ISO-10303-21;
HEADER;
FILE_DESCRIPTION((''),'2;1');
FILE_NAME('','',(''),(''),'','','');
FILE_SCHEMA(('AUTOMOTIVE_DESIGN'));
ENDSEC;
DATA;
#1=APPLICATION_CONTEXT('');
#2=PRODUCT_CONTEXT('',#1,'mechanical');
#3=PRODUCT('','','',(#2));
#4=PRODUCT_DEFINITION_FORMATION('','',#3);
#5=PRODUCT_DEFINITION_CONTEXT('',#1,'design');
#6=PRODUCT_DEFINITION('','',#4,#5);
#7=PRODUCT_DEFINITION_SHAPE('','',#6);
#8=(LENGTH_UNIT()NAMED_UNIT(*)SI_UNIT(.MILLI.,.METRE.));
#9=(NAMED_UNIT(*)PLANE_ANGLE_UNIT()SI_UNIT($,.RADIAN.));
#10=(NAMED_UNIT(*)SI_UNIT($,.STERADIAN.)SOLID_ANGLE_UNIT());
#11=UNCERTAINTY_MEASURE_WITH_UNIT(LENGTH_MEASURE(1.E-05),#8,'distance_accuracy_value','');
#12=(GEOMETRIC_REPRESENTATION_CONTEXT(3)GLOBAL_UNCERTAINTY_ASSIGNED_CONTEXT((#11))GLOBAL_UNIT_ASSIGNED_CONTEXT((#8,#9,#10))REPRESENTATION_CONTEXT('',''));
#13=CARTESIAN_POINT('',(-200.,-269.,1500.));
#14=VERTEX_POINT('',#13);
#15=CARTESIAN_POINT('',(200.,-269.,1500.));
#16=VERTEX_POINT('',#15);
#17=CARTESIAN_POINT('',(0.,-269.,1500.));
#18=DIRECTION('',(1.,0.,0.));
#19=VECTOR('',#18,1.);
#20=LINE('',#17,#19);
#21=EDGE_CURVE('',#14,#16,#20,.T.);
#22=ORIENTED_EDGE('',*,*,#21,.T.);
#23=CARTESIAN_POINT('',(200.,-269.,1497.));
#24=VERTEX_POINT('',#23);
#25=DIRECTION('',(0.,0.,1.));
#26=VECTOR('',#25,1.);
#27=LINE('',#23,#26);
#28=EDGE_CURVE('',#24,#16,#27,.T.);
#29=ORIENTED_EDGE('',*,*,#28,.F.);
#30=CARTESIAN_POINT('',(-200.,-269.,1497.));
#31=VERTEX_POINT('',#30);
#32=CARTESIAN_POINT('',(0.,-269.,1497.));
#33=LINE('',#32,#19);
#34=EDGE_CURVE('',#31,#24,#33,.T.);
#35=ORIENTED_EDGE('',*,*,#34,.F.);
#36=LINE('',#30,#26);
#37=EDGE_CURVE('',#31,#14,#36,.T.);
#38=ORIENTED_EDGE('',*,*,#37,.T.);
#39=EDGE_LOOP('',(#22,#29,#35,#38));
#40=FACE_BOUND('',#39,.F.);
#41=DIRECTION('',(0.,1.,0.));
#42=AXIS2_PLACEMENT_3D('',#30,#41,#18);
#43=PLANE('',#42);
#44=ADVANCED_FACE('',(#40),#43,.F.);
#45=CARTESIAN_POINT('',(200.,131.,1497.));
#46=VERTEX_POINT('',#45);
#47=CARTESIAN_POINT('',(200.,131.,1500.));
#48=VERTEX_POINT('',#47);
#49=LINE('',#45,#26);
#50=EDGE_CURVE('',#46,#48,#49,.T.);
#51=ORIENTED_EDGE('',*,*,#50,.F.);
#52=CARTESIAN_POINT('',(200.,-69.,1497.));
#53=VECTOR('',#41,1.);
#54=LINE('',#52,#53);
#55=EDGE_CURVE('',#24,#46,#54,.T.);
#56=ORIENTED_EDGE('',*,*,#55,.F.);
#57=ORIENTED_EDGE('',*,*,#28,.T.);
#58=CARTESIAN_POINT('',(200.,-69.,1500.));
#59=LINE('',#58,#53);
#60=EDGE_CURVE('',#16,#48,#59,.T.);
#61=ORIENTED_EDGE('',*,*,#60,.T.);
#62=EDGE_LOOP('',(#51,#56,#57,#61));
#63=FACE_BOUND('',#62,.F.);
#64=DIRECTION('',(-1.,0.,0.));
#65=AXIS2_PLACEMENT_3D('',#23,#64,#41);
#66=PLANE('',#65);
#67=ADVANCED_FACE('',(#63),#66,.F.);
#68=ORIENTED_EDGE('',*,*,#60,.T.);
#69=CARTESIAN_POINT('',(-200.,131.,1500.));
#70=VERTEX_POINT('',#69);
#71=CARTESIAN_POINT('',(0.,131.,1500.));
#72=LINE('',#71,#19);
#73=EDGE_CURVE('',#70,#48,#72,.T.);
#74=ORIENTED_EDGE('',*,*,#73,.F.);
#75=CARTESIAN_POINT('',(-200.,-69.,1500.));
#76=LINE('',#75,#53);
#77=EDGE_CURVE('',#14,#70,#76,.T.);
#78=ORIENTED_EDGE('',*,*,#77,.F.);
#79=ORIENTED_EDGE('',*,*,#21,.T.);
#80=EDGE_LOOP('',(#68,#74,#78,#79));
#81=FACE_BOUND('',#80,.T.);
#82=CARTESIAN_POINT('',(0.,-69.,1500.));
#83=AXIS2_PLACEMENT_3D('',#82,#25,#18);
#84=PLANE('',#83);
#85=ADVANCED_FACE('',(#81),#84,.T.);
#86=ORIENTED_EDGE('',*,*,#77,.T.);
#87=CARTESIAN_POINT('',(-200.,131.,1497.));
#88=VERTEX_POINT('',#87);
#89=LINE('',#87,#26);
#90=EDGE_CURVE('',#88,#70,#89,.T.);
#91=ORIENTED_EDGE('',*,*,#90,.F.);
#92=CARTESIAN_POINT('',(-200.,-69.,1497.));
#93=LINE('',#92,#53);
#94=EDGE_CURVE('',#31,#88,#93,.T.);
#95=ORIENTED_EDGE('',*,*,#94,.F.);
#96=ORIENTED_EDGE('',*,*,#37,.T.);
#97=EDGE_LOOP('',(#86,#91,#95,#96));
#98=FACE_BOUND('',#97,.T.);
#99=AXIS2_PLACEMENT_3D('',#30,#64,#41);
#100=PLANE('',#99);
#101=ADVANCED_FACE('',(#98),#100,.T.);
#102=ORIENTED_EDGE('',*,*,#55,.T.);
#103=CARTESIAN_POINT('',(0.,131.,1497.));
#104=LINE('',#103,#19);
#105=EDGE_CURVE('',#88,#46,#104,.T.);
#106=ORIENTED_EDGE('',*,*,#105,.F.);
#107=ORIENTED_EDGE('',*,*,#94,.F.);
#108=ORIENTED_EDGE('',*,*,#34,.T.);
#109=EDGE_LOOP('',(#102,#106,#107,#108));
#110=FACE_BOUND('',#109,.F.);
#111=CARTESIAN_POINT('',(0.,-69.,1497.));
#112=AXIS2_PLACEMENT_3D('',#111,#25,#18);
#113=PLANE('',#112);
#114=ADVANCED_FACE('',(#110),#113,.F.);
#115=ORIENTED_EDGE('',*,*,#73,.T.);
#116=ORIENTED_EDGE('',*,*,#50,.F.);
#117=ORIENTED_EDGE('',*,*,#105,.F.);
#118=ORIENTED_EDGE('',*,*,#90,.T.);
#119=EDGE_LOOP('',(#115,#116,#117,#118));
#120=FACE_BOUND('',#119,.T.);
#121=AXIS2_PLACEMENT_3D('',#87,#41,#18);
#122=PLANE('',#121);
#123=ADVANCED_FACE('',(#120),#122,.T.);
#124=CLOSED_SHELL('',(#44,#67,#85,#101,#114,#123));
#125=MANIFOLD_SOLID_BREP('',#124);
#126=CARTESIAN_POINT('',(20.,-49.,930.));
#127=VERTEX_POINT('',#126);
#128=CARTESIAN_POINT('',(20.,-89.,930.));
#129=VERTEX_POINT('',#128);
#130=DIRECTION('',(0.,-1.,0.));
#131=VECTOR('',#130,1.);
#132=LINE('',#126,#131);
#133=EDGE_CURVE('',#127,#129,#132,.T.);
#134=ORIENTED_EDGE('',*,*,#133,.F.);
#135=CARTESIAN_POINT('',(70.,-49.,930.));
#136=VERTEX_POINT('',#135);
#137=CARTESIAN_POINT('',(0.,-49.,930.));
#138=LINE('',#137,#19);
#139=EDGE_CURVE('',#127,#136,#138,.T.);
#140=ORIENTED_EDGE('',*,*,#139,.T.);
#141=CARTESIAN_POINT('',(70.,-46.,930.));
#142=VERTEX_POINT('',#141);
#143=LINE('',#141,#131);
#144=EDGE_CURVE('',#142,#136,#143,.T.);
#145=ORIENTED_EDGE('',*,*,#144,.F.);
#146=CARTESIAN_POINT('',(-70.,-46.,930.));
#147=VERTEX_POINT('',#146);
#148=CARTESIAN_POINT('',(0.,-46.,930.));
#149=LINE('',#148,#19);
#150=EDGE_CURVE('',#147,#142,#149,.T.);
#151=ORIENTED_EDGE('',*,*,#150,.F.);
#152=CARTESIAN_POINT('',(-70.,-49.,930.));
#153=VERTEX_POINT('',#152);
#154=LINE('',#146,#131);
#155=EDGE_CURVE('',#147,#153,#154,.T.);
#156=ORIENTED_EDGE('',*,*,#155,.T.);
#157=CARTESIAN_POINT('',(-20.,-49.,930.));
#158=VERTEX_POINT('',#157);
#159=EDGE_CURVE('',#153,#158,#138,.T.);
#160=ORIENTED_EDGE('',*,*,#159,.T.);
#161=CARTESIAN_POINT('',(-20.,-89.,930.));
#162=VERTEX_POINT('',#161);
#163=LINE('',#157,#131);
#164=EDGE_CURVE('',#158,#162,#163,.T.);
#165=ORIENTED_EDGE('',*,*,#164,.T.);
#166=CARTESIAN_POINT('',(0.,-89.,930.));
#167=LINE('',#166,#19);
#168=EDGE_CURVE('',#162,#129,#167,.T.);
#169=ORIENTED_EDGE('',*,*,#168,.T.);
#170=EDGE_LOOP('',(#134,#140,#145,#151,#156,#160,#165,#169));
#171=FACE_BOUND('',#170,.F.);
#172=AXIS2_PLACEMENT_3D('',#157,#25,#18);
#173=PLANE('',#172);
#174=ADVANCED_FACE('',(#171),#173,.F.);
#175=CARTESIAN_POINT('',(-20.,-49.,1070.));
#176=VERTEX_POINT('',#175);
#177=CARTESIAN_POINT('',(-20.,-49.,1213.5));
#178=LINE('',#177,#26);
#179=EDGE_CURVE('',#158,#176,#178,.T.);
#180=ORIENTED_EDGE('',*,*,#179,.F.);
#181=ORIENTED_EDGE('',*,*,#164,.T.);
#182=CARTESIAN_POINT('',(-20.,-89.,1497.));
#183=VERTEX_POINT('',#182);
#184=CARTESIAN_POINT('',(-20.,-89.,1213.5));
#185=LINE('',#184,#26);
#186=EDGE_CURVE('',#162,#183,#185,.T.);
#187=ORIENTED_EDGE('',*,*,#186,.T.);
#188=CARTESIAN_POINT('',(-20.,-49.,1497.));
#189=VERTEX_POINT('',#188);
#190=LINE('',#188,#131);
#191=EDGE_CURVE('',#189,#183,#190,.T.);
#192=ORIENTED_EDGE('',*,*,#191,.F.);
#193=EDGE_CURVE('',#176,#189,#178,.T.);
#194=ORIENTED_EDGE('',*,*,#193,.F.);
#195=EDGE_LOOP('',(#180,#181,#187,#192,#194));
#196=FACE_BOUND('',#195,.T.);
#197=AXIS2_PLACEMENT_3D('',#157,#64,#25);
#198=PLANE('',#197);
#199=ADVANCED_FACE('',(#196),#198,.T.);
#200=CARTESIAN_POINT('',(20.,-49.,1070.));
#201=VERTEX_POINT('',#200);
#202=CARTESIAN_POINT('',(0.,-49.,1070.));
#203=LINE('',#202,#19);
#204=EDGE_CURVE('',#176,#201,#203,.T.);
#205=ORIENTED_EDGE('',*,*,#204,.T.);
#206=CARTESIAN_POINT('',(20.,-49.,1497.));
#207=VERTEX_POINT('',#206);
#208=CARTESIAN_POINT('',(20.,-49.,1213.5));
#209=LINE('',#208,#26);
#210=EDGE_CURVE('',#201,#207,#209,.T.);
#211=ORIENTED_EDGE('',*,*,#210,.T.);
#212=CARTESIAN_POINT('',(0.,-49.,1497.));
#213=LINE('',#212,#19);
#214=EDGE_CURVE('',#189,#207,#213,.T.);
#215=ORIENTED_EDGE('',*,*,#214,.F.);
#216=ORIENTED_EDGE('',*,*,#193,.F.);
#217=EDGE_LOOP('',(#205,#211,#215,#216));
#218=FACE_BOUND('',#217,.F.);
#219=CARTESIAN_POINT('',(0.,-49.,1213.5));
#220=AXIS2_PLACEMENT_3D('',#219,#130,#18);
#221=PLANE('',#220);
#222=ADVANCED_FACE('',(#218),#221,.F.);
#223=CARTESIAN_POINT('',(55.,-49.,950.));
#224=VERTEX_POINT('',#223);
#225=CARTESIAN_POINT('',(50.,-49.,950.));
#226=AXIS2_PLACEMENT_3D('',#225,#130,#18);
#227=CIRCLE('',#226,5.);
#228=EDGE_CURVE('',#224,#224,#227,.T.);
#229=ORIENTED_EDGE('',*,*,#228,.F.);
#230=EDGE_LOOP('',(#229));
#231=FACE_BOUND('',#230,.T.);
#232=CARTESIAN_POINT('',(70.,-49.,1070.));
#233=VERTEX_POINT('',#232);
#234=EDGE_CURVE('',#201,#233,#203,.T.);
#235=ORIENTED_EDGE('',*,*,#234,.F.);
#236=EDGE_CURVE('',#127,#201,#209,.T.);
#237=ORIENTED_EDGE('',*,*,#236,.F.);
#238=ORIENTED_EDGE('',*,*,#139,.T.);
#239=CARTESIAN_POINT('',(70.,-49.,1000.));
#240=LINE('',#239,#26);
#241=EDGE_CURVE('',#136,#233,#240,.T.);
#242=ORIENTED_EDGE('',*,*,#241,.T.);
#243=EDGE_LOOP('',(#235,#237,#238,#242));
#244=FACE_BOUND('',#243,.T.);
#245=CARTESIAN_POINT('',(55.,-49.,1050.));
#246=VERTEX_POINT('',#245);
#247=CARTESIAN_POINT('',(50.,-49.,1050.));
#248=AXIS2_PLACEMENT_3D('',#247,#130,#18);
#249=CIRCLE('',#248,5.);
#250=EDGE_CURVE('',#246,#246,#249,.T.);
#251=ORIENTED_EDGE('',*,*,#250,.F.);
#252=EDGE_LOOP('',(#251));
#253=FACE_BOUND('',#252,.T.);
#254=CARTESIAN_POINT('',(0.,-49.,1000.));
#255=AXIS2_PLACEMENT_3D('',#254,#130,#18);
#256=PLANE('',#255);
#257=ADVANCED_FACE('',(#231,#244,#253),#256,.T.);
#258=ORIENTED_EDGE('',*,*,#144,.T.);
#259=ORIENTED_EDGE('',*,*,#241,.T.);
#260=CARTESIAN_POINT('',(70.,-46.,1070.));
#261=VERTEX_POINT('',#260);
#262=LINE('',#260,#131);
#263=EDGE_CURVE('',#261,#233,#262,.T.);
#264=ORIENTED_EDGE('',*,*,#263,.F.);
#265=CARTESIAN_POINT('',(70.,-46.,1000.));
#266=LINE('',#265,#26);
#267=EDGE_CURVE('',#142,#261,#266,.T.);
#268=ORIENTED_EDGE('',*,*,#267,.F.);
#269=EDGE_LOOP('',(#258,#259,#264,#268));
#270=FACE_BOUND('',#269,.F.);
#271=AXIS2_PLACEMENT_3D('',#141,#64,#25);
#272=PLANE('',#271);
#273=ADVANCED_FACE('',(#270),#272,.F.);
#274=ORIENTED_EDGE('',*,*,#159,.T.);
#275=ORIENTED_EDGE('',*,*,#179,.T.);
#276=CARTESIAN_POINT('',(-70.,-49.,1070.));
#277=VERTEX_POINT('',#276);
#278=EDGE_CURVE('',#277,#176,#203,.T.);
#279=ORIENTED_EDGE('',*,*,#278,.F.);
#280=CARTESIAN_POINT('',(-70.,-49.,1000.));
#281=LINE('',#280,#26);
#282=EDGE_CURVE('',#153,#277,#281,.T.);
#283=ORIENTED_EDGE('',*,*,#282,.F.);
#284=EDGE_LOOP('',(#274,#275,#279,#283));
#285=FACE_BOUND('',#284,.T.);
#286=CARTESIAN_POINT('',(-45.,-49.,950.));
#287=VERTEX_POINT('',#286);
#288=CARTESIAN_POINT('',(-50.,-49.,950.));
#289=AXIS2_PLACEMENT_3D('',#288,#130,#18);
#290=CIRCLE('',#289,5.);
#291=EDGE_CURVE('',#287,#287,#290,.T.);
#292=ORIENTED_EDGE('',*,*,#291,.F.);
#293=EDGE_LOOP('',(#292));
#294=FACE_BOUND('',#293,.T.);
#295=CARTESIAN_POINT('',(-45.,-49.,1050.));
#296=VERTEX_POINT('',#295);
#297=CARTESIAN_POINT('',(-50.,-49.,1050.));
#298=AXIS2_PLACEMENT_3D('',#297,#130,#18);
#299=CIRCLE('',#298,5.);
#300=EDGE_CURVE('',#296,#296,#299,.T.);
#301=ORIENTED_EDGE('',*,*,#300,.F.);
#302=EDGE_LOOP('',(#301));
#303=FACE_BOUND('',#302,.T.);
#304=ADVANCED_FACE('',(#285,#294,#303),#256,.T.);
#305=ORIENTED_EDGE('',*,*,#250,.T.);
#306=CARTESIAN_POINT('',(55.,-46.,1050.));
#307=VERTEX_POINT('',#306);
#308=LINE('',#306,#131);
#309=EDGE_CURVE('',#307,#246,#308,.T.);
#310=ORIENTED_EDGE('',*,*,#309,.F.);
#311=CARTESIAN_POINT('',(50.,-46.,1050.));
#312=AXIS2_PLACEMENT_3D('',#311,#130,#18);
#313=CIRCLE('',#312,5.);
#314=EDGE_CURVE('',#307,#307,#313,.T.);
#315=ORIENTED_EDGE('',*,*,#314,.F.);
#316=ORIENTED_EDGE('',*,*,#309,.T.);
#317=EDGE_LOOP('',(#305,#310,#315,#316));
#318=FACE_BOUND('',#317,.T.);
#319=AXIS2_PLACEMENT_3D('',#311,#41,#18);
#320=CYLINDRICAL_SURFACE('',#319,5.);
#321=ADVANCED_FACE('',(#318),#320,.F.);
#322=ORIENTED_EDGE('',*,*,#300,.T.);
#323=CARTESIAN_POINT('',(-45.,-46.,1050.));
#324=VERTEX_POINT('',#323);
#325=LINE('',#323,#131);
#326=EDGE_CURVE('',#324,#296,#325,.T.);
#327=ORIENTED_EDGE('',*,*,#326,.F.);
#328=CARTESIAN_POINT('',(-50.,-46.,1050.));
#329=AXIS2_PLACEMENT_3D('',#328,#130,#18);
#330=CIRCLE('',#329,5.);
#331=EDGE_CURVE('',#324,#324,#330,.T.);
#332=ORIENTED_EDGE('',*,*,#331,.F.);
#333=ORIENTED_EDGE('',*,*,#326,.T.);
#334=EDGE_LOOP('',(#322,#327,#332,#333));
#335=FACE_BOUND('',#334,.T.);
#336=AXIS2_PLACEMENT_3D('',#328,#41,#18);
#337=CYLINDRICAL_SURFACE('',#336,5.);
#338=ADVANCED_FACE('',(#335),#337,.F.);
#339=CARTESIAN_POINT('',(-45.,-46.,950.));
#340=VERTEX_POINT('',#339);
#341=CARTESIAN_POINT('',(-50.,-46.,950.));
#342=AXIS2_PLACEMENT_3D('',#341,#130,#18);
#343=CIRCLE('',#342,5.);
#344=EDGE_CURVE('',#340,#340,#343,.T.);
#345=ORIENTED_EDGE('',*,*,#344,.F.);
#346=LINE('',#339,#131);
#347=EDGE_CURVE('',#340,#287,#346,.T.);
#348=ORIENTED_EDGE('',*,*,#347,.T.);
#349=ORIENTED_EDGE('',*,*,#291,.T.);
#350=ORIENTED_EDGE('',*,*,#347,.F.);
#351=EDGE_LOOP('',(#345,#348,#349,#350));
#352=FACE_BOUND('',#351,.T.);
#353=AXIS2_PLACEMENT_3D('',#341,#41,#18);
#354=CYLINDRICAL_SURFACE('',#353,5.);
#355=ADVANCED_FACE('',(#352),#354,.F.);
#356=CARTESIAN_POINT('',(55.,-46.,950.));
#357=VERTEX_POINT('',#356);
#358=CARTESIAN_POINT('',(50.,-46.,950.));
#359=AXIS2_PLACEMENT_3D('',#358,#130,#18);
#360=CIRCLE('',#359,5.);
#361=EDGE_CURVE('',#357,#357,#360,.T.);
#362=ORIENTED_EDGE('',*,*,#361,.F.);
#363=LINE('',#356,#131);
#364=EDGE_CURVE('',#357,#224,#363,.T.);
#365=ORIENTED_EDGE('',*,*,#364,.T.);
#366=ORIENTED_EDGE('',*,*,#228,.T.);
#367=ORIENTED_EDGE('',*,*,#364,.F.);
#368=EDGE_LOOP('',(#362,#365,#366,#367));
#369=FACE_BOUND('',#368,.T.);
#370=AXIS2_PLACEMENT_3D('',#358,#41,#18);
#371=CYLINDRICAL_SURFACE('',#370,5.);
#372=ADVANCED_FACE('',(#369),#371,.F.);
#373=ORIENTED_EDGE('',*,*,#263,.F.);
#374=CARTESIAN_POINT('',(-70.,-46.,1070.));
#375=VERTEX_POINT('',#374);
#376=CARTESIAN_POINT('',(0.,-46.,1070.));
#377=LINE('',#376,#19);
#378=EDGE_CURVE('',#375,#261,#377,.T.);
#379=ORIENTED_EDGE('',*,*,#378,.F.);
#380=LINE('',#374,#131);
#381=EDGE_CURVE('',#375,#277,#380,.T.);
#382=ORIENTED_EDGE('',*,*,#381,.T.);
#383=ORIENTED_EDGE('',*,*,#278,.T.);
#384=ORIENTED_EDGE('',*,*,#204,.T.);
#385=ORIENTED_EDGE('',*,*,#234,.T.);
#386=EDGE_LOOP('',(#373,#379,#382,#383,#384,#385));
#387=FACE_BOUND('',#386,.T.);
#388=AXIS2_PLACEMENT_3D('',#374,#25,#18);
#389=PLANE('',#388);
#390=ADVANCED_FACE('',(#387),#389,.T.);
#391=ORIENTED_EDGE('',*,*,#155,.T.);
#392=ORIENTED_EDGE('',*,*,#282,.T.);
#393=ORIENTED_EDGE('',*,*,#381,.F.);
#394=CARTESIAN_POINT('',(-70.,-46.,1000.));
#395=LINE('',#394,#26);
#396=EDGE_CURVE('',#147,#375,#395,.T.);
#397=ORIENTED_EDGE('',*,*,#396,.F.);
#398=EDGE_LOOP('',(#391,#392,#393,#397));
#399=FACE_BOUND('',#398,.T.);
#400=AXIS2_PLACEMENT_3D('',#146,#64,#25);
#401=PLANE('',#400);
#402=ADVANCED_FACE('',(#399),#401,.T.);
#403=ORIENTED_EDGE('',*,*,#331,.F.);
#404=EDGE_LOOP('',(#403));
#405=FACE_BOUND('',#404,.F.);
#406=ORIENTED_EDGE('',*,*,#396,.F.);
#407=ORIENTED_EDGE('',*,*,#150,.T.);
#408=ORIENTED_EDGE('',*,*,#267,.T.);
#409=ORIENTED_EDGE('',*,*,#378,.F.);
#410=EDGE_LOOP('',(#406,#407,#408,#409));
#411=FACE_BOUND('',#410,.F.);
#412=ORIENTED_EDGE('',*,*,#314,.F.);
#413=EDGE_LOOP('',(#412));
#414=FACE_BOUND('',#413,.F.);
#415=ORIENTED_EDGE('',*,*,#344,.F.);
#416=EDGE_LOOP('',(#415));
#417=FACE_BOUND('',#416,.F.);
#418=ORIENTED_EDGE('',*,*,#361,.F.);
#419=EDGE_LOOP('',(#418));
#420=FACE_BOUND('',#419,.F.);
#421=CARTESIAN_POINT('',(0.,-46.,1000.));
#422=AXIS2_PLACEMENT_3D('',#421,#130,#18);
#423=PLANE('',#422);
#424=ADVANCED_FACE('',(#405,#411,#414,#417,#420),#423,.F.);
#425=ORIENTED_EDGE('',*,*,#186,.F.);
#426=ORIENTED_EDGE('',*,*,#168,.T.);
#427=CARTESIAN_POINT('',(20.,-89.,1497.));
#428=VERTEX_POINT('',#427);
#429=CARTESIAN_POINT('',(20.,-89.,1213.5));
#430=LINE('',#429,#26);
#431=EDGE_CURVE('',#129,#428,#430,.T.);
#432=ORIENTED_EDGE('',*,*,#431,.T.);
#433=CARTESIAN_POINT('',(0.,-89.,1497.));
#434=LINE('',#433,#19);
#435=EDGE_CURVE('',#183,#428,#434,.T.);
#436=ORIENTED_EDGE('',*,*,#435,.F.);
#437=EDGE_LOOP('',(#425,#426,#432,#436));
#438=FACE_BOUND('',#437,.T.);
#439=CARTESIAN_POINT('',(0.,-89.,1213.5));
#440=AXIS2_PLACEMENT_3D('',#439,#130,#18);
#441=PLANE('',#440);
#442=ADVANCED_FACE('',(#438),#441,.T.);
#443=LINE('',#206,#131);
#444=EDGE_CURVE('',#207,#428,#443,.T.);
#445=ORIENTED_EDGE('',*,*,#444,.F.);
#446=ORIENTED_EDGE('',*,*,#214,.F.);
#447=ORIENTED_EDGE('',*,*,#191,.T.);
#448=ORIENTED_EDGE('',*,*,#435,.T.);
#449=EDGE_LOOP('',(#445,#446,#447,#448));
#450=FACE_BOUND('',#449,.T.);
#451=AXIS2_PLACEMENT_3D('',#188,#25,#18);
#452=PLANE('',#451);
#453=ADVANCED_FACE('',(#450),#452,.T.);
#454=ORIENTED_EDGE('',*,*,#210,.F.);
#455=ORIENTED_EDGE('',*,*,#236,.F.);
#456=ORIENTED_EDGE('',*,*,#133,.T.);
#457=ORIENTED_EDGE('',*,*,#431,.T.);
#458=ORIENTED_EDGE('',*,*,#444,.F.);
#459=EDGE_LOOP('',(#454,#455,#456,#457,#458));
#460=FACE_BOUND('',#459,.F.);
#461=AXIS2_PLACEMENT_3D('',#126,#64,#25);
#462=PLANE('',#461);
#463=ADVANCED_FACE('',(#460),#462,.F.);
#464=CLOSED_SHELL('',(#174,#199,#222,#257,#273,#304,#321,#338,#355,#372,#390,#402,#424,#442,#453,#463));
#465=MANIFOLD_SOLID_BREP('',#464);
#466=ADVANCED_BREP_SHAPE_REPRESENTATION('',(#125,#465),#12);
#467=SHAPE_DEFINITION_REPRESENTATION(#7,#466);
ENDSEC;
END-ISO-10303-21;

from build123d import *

# Parameters (mm, degrees)
F1_W     = 140
F1_H     = 140
F1_R     = 5
F2_DEPTH = 3
F3_W     = 40
F3_H     = 567
F4_DEPTH = 40
F5_W     = 400
F5_H     = 400
F6_DEPTH = 3


with BuildPart() as f2:
    # F1 (on offset) → F2 (new body)
    with BuildSketch(Plane.XZ.offset(46)):
        with Locations((0, 1000)):
            Rectangle(F1_W, F1_H)
        with Locations((-50, 950)):
            Circle(F1_R, mode=Mode.SUBTRACT)
        with Locations((50, 950)):
            Circle(F1_R, mode=Mode.SUBTRACT)
        with Locations((-50, 1050)):
            Circle(F1_R, mode=Mode.SUBTRACT)
        with Locations((50, 1050)):
            Circle(F1_R, mode=Mode.SUBTRACT)
    extrude(amount=F2_DEPTH)

    # F3 (on face) → F4 (join)
    with BuildSketch(Plane.XZ.offset(49)):
        with Locations((0, 1213.5)):
            Rectangle(F3_W, F3_H)
    extrude(amount=F4_DEPTH)


with BuildPart() as f6:
    # F5 (on face) → F6 (new body)
    with BuildSketch(Plane.XY.offset(1497)):
        with Locations((0, -69)):
            Rectangle(F5_W, F5_H)
    extrude(amount=F6_DEPTH)


solid = Compound([f2.part, f6.part])
